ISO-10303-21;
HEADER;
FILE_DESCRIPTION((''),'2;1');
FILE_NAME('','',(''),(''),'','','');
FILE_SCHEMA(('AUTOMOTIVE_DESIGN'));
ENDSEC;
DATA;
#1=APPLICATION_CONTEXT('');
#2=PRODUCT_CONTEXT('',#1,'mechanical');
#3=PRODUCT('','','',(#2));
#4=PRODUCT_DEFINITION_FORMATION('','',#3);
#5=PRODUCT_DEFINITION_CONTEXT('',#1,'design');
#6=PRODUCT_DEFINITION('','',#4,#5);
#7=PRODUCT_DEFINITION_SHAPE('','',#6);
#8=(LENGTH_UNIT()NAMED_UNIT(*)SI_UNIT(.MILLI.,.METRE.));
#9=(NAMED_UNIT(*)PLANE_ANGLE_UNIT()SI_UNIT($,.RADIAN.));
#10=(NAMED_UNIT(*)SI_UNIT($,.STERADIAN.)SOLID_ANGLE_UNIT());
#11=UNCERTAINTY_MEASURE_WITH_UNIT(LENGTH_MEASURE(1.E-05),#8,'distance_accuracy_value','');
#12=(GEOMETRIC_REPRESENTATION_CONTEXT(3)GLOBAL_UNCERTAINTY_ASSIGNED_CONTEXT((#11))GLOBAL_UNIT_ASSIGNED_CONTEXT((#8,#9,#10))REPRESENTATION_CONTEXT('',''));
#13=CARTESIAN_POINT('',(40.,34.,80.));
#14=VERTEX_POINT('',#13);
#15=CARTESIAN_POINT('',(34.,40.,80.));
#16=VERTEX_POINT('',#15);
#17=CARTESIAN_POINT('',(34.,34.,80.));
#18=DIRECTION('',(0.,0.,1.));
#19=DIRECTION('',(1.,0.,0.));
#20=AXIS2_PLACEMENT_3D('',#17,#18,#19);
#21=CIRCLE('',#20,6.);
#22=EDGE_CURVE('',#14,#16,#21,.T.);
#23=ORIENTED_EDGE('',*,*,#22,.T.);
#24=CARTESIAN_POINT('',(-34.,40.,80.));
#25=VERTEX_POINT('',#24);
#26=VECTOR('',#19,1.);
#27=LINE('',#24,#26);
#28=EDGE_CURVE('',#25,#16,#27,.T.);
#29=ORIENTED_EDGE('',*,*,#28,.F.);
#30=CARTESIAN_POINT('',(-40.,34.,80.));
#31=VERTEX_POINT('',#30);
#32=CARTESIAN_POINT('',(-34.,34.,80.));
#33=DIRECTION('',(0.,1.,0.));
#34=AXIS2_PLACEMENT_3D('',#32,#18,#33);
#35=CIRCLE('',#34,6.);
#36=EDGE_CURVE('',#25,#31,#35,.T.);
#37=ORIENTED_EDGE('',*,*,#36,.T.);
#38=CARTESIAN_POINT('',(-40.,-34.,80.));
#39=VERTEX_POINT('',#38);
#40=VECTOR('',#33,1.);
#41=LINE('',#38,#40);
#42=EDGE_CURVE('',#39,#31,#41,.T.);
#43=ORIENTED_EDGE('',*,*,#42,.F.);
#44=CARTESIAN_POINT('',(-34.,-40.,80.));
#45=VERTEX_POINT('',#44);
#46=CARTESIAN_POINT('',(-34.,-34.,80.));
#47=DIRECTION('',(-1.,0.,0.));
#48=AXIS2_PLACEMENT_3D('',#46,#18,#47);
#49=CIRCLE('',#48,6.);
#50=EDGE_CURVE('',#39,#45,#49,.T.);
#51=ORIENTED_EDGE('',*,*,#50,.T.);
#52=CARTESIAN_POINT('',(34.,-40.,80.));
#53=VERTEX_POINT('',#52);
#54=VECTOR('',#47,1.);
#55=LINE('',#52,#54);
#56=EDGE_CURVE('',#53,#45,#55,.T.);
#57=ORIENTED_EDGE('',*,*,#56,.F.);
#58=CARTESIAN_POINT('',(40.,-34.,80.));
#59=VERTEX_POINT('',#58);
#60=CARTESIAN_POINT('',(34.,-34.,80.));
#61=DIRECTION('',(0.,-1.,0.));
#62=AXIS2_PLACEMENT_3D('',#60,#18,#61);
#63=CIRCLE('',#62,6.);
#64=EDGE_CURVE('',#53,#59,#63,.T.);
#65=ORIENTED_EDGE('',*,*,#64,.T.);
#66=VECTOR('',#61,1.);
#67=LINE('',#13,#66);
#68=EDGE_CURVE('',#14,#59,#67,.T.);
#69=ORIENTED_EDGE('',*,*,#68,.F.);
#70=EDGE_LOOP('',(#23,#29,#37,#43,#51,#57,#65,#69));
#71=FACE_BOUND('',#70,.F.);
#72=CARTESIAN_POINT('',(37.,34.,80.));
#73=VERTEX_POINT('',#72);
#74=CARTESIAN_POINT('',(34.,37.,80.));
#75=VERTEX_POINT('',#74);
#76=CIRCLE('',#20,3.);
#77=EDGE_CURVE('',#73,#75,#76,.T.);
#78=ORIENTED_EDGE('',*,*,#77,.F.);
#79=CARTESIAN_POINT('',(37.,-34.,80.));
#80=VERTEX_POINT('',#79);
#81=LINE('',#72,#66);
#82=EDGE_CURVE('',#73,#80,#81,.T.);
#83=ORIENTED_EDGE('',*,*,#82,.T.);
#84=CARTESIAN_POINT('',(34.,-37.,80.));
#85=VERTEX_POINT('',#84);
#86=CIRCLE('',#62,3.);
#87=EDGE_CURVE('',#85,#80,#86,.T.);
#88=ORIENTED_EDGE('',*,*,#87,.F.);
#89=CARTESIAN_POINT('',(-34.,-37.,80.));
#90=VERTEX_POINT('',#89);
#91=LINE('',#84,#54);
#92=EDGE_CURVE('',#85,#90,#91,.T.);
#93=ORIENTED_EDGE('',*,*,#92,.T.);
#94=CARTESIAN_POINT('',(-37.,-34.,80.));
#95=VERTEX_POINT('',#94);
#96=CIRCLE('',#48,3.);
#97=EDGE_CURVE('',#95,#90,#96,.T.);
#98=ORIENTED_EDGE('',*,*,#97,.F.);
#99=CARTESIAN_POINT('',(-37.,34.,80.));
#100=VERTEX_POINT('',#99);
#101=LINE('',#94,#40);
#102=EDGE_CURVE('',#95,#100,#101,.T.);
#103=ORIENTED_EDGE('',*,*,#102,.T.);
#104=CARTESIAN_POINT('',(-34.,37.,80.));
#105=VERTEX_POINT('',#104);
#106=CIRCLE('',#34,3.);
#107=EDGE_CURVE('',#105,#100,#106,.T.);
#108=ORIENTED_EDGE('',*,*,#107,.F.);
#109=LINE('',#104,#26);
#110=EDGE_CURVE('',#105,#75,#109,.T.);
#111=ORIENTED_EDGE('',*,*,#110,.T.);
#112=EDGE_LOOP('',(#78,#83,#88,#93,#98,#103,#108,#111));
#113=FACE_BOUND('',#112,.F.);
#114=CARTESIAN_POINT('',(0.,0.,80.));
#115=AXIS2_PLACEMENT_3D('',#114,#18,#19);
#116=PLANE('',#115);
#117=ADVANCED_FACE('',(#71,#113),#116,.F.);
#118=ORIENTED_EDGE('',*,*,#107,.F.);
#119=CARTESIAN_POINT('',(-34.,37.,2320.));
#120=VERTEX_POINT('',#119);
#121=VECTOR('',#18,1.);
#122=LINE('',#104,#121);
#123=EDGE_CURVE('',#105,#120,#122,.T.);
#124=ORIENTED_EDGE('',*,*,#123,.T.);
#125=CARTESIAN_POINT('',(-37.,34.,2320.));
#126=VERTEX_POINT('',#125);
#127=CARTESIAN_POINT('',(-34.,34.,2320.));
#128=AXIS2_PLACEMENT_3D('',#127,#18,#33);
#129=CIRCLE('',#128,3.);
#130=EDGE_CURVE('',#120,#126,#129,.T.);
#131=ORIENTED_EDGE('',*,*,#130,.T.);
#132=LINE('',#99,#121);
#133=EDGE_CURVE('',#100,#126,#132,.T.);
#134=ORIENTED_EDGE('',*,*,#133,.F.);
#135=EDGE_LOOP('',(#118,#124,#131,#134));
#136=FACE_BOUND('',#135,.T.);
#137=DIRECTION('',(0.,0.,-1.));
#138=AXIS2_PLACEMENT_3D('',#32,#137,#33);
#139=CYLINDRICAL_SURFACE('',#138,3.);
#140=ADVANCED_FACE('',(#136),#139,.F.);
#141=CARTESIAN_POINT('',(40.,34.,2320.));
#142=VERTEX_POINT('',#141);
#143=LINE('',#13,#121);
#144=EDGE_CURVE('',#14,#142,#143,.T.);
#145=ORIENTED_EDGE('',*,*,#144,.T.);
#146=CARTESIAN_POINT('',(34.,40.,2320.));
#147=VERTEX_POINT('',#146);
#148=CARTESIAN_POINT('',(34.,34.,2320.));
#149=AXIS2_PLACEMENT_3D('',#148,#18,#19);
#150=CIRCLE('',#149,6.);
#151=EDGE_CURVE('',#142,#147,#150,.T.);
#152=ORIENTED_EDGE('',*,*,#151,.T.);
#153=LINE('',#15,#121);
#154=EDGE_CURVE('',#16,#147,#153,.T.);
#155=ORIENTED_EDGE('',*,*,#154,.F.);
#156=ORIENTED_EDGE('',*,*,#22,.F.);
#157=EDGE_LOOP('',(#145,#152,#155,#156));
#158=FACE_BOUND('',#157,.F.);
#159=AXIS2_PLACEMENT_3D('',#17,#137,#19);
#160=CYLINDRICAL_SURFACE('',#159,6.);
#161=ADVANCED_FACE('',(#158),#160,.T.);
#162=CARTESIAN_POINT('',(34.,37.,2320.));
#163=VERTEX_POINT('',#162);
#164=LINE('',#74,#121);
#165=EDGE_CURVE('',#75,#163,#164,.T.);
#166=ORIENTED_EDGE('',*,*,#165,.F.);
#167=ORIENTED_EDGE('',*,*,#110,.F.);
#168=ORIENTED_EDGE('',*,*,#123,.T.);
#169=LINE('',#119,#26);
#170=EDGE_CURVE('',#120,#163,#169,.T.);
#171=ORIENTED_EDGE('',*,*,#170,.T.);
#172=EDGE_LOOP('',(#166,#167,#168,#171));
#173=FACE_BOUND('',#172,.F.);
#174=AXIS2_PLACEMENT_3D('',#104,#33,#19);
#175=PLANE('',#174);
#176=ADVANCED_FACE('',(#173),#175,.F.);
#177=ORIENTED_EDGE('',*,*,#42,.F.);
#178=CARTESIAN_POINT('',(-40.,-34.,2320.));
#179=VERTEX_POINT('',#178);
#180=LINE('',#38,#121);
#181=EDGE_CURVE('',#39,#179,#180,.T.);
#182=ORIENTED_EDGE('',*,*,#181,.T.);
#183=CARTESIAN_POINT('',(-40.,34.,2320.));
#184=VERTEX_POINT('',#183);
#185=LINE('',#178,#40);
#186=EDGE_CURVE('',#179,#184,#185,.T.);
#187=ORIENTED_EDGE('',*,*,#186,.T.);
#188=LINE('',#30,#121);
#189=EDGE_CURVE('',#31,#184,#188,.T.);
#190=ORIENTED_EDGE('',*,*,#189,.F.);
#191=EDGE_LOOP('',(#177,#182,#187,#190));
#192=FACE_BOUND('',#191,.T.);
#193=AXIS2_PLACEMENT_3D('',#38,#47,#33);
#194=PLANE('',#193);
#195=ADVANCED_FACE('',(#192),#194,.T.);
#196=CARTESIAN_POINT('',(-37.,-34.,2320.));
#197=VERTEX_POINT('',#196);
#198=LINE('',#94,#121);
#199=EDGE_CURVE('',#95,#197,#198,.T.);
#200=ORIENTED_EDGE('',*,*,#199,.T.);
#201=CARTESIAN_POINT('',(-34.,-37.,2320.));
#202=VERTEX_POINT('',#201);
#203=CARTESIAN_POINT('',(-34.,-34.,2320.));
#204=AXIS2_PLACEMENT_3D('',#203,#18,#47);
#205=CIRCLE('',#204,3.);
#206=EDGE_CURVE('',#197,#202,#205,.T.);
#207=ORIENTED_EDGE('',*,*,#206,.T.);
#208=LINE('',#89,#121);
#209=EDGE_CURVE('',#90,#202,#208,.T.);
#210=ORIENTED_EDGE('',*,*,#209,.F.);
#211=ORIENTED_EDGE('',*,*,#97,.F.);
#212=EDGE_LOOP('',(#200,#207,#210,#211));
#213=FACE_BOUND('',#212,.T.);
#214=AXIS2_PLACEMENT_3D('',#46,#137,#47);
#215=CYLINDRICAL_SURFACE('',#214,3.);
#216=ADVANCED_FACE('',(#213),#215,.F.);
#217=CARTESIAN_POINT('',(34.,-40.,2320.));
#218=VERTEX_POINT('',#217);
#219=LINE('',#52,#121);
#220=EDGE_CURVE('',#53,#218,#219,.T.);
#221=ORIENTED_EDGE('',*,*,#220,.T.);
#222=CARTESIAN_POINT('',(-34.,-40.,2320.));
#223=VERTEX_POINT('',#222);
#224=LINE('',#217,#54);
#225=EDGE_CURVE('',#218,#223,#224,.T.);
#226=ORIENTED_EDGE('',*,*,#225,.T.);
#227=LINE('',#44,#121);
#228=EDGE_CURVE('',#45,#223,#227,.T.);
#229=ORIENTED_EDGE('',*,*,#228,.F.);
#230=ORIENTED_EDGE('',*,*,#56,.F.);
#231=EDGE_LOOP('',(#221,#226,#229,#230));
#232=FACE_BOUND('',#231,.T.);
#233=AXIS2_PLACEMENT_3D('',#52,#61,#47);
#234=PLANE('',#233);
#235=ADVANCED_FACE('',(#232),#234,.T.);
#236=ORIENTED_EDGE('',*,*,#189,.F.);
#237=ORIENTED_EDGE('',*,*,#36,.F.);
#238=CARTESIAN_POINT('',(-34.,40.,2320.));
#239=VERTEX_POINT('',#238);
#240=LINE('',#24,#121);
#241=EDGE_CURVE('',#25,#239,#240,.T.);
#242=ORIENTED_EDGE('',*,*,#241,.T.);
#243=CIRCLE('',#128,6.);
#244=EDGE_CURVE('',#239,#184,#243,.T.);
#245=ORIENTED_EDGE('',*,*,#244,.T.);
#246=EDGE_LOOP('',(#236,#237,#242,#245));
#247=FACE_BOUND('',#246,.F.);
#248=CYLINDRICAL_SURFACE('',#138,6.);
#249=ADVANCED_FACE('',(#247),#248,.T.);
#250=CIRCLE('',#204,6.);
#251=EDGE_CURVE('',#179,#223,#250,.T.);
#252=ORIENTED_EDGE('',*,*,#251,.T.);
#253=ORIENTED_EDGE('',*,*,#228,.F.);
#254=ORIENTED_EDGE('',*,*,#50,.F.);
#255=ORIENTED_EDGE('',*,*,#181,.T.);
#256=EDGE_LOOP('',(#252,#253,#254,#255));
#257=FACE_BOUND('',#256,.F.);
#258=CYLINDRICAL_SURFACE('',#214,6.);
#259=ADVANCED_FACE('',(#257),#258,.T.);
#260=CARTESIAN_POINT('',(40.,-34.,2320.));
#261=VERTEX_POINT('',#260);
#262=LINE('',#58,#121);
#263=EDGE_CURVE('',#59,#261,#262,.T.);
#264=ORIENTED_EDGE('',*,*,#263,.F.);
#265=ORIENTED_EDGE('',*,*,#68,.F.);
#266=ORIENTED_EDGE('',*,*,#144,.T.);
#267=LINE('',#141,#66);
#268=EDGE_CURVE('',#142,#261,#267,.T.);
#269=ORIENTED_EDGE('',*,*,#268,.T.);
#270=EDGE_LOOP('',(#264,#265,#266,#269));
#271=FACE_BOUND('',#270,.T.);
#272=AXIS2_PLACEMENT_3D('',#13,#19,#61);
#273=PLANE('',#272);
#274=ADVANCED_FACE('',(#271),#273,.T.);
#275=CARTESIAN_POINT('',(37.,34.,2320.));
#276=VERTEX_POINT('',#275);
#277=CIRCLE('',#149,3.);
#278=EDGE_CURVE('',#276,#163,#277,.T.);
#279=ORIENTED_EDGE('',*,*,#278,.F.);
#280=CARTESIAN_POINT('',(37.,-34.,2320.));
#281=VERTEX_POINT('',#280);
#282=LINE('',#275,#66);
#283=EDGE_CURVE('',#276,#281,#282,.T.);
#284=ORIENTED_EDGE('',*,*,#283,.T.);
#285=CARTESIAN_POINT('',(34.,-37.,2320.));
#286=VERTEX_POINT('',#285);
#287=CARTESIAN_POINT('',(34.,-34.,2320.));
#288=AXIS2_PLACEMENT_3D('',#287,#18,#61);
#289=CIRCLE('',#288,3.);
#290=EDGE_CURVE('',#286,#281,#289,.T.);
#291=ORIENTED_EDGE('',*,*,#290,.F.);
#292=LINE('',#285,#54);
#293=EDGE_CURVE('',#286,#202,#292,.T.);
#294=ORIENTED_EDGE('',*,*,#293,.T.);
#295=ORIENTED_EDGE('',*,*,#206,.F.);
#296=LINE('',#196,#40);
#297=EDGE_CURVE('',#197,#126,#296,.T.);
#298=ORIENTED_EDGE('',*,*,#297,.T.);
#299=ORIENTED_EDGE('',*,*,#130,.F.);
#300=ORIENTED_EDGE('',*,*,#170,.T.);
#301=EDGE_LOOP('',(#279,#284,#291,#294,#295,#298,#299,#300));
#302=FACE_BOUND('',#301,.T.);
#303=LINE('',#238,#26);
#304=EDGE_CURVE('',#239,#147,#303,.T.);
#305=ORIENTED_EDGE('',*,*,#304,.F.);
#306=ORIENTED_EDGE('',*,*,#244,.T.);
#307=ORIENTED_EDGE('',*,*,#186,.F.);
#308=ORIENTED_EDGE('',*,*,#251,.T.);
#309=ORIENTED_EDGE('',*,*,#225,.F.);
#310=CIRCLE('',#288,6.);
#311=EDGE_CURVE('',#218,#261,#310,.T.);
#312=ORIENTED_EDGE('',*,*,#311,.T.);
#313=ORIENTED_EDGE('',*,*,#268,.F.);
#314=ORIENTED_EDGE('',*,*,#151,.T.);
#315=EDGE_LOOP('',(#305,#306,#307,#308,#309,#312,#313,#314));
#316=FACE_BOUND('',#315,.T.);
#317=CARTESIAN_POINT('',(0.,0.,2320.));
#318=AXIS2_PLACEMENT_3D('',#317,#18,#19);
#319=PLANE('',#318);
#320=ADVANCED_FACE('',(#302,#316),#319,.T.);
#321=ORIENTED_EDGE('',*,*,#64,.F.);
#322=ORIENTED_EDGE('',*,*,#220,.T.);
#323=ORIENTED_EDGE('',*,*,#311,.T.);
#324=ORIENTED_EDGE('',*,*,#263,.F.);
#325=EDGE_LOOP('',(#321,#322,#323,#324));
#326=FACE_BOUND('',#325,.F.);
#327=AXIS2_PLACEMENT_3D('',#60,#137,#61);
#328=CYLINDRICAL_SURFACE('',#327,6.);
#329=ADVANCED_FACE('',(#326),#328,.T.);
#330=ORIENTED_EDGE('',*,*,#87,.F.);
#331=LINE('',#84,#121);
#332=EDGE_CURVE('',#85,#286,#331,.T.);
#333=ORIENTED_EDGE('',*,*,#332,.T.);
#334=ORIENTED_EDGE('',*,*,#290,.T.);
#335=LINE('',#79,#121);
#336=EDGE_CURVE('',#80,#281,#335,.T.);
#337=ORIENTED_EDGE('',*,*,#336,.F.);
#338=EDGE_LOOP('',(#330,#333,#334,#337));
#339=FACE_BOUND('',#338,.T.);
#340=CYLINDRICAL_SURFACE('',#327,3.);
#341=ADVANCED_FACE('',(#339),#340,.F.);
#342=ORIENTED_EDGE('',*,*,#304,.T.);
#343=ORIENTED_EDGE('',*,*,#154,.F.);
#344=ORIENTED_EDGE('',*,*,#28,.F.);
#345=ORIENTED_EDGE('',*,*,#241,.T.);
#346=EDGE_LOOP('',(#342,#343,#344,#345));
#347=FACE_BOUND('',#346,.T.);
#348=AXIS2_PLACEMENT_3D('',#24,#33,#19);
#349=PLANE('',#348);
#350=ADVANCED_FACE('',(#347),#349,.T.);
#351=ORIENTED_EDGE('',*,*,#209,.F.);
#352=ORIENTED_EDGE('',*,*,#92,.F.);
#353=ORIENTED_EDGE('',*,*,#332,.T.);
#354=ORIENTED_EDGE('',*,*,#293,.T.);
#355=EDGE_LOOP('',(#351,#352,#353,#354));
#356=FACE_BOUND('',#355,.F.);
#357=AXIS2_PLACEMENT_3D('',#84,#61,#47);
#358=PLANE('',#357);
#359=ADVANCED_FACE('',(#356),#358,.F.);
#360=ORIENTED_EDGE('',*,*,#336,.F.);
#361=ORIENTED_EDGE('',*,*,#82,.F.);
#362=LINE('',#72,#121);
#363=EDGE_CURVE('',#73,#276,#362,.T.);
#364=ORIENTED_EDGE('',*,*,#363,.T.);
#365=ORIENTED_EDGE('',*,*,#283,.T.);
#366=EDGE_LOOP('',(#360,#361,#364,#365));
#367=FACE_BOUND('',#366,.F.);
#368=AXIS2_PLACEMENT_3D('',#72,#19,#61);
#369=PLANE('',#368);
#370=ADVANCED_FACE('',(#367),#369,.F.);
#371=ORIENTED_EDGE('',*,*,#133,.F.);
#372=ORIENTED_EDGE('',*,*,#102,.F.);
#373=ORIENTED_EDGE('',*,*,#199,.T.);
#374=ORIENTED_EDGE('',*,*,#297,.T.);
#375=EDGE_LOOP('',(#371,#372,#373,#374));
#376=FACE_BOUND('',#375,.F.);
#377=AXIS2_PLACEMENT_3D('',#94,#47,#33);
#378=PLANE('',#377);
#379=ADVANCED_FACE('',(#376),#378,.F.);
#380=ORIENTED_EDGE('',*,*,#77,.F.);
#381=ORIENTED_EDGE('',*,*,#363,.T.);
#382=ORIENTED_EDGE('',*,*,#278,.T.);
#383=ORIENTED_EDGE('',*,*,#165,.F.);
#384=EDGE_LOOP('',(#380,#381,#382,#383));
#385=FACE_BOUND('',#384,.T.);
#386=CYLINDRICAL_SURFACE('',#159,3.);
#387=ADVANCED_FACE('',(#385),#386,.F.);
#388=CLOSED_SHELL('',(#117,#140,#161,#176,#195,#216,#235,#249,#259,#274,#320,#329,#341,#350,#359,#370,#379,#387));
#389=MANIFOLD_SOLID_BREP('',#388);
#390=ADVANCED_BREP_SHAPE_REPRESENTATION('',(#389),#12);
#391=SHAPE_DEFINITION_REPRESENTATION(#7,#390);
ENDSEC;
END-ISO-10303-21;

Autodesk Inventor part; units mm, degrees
ref_plane "YZ Plane" through (0, 0, 0) normal (1, 0, 0) x (0, 1, 0)
ref_plane "Start Plane" through (0, 0, 80) normal (0, 0, 1) x (1, 0, 0)
ref_plane "End Plane" through (0, 0, 2320) normal (0, 0, 1) x (1, 0, 0)
sketch "Sketch" plane through (0, 0, 0) normal (0, 0, 1) x (1, 0, 0)
  line L0 (-40, -34) -> (-40, 34)
  line L1 (-34, 40) -> (34, 40)
  line L2 (40, 34) -> (40, -34)
  line L3 (34, -40) -> (-34, -40)
  arc A0 (-40, -34) -> (-34, -40) centre (-34, -34) ccw
  arc A1 (40, 34) -> (34, 40) centre (34, 34) ccw
  arc A2 (-34, 40) -> (-40, 34) centre (-34, 34) ccw
  arc A3 (34, -40) -> (40, -34) centre (34, -34) ccw
  arc A4 (-34, 37) -> (-37, 34) centre (-34, 34) ccw
  line L4 (-34, 37) -> (34, 37)
  arc A5 (37, 34) -> (34, 37) centre (34, 34) ccw
  line L5 (37, 34) -> (37, -34)
  arc A6 (34, -37) -> (37, -34) centre (34, -34) ccw
  line L6 (34, -37) -> (-34, -37)
  arc A7 (-37, -34) -> (-34, -37) centre (-34, -34) ccw
  line L7 (-37, -34) -> (-37, 34)
  line L8 (0, 57.7397) -> (0, -57.7397) construction
  line L9 (-57.7397, 0) -> (57.7397, 0) construction
  dimension "d7" = 6
  dimension "d9" = 80
  dimension "d11" = 80
  dimension "d12" = 3
  dimension "d15" = 40
  dimension "d16" = 40
extrude "Body" add sketch "Sketch" along normal up to surface (2240 mm away) from surface at 80
sketch "Sketch3" plane through (0, 0, 0) normal (0, 0, 1) x (1, 0, 0)
  line L0 (0, 0) -> (10, 0)
ref_plane "Work Plane3" through (0, 0, 0) normal (0, -1, 0) x (1, 0, 0)
sketch "Sketch4" plane through (0, 0, 0) normal (0, -1, 0) x (1, 0, 0)
  line L0 (-2, 80) -> (12, 80) projected
  line L1 (-2, 2320) -> (12, 2320) projected
  dimension "d18" = 2240
equation "\"d7\" = G_IR"
equation "\"d9\" = G_W"
equation "\"d11\" = G_H"
equation "\"d12\" = G_T"
equation "\"d15\" = 0.5 * d9"
equation "\"d16\" = 0.5 * d11"
equation "\"d3\" = G_L"
equation "\"G_W\" = 80"
equation "\"G_H\" = 80"
equation "\"G_T\" = 3"
equation "\"G_IR\" = 6"
equation "\"G_L\" = d18"
properties part number "ISO 4019 - 80x80x3 - 2240" material "Steel, Mild"
